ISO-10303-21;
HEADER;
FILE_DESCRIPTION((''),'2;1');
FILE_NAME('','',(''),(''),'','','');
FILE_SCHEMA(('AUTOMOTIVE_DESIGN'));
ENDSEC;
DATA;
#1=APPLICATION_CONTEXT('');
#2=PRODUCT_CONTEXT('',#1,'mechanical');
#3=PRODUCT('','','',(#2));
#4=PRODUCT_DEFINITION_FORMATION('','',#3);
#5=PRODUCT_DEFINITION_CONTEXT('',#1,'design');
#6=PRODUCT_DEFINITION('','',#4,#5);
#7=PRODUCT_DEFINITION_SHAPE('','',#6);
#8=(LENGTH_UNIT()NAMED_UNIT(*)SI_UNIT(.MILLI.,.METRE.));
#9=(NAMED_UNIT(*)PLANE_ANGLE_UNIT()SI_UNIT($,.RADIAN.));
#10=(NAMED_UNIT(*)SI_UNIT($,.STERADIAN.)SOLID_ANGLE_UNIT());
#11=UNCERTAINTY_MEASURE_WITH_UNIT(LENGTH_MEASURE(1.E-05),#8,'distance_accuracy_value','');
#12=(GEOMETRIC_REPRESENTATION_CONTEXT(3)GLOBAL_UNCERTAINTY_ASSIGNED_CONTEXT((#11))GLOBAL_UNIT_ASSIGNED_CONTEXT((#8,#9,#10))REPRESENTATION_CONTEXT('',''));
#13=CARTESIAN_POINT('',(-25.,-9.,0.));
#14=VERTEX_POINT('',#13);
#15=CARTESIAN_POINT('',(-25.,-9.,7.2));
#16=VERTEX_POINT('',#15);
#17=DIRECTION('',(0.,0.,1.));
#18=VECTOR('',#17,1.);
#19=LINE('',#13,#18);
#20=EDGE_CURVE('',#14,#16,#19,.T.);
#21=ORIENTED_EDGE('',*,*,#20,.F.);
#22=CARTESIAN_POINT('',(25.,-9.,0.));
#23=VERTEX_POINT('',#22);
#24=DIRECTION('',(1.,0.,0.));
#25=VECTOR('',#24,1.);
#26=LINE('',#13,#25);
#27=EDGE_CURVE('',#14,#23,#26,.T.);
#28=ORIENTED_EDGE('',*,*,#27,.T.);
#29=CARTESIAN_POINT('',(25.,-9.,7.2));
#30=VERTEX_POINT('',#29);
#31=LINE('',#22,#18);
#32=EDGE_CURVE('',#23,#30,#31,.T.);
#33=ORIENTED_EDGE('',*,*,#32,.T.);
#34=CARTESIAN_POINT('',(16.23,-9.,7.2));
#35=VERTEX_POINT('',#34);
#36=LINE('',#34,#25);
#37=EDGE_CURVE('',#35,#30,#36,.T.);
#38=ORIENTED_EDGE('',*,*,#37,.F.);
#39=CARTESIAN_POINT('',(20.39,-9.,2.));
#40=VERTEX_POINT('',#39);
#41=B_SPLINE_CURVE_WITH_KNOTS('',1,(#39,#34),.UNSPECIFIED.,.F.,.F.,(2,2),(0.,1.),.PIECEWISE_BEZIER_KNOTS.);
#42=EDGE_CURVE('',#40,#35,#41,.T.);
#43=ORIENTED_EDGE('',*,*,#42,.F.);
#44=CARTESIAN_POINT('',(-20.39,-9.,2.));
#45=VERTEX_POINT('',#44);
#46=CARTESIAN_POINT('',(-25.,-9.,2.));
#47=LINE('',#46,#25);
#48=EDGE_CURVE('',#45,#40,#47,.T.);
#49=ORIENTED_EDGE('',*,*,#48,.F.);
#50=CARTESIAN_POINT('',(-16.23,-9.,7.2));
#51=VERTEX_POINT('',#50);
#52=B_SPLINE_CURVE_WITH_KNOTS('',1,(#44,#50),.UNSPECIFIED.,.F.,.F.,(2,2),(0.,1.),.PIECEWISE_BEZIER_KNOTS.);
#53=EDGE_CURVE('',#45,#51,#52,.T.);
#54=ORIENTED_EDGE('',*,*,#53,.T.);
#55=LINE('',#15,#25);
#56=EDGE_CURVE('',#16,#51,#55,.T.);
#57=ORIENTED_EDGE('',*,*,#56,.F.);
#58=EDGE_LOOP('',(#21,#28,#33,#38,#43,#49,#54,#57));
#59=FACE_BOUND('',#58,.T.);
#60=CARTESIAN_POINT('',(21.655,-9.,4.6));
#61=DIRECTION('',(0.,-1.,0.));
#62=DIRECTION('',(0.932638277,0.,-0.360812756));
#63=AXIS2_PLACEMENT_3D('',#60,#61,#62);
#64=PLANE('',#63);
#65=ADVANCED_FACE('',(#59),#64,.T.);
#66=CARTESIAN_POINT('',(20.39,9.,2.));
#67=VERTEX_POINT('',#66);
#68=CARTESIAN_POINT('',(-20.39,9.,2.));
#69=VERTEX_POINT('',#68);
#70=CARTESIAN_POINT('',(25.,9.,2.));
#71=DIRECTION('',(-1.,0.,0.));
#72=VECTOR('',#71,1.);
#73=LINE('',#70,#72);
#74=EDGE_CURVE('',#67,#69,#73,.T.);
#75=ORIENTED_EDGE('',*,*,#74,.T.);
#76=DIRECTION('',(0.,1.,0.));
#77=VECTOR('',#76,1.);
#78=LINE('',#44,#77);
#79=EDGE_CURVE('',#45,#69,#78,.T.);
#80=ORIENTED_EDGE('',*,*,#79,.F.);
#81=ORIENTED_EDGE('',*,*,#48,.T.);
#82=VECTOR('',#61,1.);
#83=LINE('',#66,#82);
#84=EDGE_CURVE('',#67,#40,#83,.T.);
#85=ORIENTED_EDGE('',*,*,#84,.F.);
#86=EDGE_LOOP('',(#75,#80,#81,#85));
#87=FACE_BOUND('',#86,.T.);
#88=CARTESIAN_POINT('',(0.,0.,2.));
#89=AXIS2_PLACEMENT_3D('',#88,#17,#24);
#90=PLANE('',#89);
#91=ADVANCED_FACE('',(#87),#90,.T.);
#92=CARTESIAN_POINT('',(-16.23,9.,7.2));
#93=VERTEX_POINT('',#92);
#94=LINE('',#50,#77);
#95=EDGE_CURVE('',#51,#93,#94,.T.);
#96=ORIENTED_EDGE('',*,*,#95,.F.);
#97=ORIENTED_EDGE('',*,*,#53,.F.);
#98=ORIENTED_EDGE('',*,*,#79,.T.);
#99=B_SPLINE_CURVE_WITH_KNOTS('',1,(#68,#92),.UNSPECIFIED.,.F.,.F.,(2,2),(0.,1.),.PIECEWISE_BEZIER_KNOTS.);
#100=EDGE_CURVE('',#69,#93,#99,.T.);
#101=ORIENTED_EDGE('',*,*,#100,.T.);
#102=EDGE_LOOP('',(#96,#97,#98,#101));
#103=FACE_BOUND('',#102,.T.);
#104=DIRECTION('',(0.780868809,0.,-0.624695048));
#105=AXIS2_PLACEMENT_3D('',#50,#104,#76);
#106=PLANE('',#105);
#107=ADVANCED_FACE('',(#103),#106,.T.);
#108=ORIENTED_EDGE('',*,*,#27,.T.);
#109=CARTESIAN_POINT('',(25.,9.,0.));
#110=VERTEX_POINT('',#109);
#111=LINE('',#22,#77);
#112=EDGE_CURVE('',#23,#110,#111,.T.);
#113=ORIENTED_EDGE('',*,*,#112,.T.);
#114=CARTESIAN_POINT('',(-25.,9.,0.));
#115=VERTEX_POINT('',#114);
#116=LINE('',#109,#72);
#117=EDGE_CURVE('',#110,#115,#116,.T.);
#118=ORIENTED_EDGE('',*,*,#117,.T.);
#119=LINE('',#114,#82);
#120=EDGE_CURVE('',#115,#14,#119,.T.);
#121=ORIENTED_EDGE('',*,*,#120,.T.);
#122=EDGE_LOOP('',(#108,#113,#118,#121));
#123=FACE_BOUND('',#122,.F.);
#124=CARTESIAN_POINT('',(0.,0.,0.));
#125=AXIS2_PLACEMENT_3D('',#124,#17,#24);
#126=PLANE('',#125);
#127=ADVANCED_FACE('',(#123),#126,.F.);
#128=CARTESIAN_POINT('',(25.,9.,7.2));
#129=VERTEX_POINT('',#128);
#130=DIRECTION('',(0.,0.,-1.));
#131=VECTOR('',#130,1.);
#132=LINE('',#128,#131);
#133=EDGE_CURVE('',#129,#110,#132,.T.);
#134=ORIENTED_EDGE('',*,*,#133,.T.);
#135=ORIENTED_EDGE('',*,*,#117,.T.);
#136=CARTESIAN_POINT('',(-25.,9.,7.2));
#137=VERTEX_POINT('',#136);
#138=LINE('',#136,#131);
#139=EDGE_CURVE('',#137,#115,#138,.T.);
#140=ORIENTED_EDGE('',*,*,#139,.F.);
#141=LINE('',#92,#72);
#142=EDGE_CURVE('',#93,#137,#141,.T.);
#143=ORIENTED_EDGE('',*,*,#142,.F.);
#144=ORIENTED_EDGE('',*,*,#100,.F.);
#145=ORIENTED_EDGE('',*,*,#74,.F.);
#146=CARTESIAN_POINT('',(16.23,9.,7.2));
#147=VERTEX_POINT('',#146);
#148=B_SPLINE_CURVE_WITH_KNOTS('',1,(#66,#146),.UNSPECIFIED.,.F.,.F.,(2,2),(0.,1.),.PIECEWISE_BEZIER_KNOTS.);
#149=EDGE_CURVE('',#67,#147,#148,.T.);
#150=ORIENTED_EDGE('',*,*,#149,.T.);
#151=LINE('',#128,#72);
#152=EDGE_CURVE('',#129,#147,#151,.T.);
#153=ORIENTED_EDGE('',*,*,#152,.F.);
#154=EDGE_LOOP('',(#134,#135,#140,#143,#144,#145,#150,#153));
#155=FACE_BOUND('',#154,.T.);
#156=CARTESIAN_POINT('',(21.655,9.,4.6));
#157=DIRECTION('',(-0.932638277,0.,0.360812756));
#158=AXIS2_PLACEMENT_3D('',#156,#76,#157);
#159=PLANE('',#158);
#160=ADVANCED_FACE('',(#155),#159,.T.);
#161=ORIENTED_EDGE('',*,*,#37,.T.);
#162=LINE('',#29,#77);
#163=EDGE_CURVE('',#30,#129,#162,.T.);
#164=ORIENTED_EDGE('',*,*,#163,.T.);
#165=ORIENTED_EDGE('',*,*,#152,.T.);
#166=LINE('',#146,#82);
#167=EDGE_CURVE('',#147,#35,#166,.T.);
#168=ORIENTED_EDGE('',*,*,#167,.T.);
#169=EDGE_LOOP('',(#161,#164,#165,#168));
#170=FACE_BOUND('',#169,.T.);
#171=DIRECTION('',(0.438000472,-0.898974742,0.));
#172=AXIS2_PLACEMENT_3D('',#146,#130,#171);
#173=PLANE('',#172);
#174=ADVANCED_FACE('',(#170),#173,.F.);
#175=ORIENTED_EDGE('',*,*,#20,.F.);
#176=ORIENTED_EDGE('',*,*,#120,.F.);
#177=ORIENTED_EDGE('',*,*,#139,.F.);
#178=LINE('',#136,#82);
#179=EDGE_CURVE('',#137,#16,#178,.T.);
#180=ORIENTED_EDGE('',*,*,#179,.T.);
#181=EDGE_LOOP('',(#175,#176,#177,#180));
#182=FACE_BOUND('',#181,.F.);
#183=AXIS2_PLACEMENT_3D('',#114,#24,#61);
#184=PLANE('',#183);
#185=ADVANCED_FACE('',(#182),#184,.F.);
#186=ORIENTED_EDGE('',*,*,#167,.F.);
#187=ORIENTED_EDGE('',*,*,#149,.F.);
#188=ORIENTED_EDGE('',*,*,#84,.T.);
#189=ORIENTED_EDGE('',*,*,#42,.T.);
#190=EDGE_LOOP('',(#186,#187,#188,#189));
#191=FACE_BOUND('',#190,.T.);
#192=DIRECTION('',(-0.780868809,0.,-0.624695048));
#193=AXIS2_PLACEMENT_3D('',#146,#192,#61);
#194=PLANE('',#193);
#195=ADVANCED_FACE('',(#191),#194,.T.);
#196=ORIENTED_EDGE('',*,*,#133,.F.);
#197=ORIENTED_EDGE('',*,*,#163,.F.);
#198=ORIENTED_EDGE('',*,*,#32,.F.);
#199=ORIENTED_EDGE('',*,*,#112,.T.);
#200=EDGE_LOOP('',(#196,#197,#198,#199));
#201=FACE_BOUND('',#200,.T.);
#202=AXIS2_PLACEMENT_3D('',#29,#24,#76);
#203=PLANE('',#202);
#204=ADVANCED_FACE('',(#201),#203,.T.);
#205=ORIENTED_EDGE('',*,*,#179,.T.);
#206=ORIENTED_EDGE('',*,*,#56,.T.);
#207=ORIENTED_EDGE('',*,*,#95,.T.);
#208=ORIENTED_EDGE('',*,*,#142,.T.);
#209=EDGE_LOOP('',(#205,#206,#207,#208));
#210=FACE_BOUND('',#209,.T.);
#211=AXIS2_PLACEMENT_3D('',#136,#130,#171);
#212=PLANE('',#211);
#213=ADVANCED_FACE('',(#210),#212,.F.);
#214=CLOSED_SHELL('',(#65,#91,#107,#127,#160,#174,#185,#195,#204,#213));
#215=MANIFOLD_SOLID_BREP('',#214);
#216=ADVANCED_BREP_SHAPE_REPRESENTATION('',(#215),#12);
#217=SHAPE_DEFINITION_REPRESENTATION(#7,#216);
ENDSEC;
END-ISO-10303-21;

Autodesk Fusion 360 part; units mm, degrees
ref_plane "工作平面1" through (0, 0, 0) normal (0, 0, 1) x (1, 0, 0)
sketch "草图1" plane through (0, 0, 0) normal (0, 0, 1) x (1, 0, 0)
  line L0 (-25, -9) -> (25, -9)
  line L1 (25, -9) -> (25, 9)
  line L2 (25, 9) -> (-25, 9)
  line L3 (-25, 9) -> (-25, -9)
extrude "Coupon base" add sketch "草图1" along normal blind 2
ref_plane "工作平面2" through (0, 0, 2) normal (0, 0, 1) x (1, 0, 0)
sketch "草图2" plane through (0, 0, 2) normal (0, 0, 1) x (1, 0, 0)
  line L0 (-25, -9) -> (-20.39, -9)
  line L1 (-20.39, -9) -> (-20.39, 9)
  line L2 (-20.39, 9) -> (-25, 9)
  line L3 (-25, 9) -> (-25, -9)
ref_plane "工作平面3" through (0, 0, 7.2) normal (0, 0, 1) x (1, 0, 0)
sketch "草图3" plane through (0, 0, 7.2) normal (0, 0, 1) x (1, 0, 0)
  line L0 (-25, -9) -> (-16.23, -9)
  line L1 (-16.23, -9) -> (-16.23, 9)
  line L2 (-16.23, 9) -> (-25, 9)
  line L3 (-25, 9) -> (-25, -9)
loft "Coupon dovetail rail" add profiles "草图2", "草图3" section 1 section 2
ref_plane "工作平面4" through (0, 0, 2) normal (0, 0, 1) x (1, 0, 0)
sketch "草图4" plane through (0, 0, 2) normal (0, 0, 1) x (1, 0, 0)
  line L0 (20.39, -9) -> (25, -9)
  line L1 (25, -9) -> (25, 9)
  line L2 (25, 9) -> (20.39, 9)
  line L3 (20.39, 9) -> (20.39, -9)
ref_plane "工作平面5" through (0, 0, 7.2) normal (0, 0, 1) x (1, 0, 0)
sketch "草图5" plane through (0, 0, 7.2) normal (0, 0, 1) x (1, 0, 0)
  line L0 (16.23, -9) -> (25, -9)
  line L1 (25, -9) -> (25, 9)
  line L2 (25, 9) -> (16.23, 9)
  line L3 (16.23, 9) -> (16.23, -9)
loft "Coupon dovetail rail (1)" add profiles "草图4", "草图5" section 1 section 2
